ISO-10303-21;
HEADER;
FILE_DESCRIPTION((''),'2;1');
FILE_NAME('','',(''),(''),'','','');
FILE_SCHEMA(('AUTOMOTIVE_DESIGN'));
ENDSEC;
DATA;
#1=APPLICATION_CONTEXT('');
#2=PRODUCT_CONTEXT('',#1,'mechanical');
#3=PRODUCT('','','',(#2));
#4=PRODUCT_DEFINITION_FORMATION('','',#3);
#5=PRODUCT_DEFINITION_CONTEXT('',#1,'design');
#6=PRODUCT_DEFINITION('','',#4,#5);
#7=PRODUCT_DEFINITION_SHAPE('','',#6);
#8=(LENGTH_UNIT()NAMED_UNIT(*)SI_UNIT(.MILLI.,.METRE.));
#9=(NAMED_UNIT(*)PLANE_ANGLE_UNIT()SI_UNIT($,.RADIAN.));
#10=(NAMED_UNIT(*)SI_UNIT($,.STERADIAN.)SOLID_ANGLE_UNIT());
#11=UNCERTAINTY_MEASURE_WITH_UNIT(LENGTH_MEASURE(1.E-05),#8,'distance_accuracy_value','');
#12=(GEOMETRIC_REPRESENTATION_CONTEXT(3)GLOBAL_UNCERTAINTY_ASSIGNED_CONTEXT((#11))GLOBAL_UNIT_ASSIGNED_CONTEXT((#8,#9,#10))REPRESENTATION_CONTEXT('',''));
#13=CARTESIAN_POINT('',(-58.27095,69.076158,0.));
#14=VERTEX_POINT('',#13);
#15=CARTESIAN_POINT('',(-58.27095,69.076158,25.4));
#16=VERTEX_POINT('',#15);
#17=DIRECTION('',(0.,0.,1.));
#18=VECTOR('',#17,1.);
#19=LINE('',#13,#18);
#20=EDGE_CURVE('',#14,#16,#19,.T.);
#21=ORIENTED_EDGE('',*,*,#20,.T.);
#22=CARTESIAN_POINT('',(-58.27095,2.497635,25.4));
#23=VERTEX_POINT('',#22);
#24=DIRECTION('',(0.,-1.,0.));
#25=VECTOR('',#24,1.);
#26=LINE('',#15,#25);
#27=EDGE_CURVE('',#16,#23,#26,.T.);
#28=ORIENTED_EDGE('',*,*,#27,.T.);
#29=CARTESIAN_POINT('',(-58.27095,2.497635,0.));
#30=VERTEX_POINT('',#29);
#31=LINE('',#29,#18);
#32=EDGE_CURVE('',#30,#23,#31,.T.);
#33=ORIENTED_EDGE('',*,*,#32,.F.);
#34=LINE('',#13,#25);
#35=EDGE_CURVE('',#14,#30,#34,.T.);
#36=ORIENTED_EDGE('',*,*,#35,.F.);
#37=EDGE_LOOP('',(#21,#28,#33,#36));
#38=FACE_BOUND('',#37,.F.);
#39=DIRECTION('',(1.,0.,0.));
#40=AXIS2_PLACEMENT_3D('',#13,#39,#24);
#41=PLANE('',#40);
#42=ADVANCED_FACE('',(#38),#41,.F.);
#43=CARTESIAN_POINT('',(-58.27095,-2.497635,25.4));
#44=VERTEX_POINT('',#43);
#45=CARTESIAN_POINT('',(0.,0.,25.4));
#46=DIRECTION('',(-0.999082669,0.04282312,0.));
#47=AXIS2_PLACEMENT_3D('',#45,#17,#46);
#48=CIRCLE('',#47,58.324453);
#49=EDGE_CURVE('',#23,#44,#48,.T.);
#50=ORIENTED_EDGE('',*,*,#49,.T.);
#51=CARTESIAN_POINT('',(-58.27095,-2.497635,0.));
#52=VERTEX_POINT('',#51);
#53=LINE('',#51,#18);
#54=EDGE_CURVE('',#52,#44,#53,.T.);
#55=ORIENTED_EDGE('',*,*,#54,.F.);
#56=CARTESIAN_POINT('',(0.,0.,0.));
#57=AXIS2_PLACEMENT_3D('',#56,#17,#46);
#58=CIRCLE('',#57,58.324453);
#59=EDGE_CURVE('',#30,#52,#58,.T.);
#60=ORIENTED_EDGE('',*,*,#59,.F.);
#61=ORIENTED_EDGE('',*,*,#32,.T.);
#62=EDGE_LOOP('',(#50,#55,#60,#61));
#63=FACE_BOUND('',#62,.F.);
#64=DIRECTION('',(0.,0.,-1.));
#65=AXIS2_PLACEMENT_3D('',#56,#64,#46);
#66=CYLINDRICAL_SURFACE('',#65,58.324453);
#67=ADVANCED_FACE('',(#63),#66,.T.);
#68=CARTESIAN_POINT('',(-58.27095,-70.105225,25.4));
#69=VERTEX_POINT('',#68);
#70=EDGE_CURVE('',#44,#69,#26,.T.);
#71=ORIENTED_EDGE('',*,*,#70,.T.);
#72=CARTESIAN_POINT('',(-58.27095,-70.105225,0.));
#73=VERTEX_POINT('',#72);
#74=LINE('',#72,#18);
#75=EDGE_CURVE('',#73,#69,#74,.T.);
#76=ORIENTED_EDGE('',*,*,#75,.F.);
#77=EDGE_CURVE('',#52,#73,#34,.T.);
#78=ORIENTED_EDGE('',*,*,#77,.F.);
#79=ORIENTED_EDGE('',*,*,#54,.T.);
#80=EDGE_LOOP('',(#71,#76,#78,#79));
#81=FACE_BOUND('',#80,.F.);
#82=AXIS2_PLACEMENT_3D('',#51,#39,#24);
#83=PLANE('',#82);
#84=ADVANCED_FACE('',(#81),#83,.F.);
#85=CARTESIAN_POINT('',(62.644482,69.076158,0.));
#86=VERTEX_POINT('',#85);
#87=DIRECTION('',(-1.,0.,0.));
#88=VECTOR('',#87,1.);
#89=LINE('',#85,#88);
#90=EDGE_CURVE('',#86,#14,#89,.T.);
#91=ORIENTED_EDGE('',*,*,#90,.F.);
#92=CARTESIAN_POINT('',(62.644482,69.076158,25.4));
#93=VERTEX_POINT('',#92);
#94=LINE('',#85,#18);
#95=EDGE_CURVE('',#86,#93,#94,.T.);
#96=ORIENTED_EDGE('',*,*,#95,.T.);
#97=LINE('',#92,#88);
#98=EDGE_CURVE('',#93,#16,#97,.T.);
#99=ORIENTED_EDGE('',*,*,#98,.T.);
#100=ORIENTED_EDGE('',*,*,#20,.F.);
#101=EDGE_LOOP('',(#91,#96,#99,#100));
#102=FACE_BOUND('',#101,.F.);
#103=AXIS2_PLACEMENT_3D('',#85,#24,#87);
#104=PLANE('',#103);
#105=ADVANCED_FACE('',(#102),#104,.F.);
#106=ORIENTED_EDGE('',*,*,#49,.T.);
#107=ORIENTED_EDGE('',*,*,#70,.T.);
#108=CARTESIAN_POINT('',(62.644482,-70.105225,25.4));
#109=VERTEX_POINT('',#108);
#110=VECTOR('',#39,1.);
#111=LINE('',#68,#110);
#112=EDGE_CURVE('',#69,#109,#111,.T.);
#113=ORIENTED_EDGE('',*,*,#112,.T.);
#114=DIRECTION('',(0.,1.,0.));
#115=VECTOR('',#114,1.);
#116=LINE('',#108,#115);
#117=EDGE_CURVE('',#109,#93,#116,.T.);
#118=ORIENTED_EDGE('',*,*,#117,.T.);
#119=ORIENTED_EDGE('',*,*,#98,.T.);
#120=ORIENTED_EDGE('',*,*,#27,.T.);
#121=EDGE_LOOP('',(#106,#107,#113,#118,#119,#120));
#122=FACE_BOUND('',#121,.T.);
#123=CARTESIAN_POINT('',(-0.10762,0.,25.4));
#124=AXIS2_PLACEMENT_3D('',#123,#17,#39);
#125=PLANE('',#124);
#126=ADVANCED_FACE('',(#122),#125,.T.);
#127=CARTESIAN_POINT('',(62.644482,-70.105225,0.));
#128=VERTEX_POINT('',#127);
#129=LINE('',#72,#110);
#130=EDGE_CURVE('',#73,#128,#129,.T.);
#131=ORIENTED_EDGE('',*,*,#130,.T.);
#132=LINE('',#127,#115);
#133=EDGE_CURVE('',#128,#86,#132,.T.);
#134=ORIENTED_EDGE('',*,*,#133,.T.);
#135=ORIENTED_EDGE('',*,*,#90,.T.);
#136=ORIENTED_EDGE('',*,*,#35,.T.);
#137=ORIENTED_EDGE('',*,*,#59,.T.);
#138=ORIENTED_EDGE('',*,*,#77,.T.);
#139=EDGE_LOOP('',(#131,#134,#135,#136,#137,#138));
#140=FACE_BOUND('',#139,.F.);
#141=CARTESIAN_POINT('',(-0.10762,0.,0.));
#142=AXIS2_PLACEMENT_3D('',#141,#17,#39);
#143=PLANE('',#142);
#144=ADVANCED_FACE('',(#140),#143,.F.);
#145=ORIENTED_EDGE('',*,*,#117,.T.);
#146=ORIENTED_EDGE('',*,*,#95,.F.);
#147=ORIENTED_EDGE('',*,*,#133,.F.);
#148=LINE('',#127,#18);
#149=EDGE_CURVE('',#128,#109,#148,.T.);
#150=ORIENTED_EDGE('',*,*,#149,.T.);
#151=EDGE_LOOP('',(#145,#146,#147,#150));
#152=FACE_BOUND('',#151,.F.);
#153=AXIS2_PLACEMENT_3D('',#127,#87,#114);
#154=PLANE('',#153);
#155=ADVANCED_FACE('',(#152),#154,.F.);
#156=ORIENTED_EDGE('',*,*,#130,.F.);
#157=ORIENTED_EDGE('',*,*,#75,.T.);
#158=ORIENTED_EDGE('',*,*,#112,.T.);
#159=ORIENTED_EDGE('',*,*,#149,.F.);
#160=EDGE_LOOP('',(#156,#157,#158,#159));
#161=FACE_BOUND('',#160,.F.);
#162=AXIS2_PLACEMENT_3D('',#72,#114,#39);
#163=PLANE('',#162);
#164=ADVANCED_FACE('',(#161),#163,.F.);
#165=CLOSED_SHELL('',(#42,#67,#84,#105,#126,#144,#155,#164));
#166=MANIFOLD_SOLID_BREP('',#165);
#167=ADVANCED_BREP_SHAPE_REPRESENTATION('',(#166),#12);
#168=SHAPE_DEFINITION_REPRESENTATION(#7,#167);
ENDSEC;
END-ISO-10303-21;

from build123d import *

# Parameters (mm, degrees)
F0_R     = 50.9118742665
F0_R_2   = 45.3260898151
F0_R_3   = 38.3012396281
F0_R_4   = 31.4355514218
F0_R_5   = 25.7992637313
F0_R_6   = 20.8854129491
F0_R_7   = 16.3976104854
F0_R_8   = 11.958068252
F0_R_9   = 10.0909633439
F0_R_10  = 7.4318520211
F0_R_11  = 5.2377671539
F0_R_12  = 3.3984551882
F1_DEPTH = 25.4


with BuildPart() as f1:
    # F0 (on Top) → F1 (new body)
    with BuildSketch(Plane.XY):
        with BuildLine():
            ThreePointArc((58.3244526722, 0), (1.2491040063, 58.3110754377), (-58.2709498703, 2.4976350262))
            Line((-58.2709498703, 2.4976350262), (-58.2709498703, -2.4976350262))
            ThreePointArc((-58.2709498703, -2.4976350262), (1.2491040063, -58.3110754377), (58.3244526722, 0))
        make_face()
        Circle(F0_R, mode=Mode.SUBTRACT)
        Circle(F0_R)
        Circle(F0_R_2, mode=Mode.SUBTRACT)
        Circle(F0_R_2)
        Circle(F0_R_3, mode=Mode.SUBTRACT)
        with BuildLine():
            Line((62.6444816589, 69.0761581063), (-58.2709498703, 69.0761581063))
            Line((-58.2709498703, 69.0761581063), (-58.2709498703, 2.4976350262))
            ThreePointArc((-58.2709498703, 2.4976350262), (1.2491040063, 58.3110754377), (58.3244526722, 0))
            ThreePointArc((58.3244526722, 0), (1.2491040063, -58.3110754377), (-58.2709498703, -2.4976350262))
            Line((-58.2709498703, -2.4976350262), (-58.2709498703, -70.1052248478))
            Line((-58.2709498703, -70.1052248478), (62.6444816589, -70.1052248478))
            Line((62.6444816589, -70.1052248478), (62.6444816589, 69.0761581063))
        make_face()
        Circle(F0_R_3)
        Circle(F0_R_4, mode=Mode.SUBTRACT)
        Circle(F0_R_4)
        Circle(F0_R_5, mode=Mode.SUBTRACT)
        Circle(F0_R_5)
        Circle(F0_R_6, mode=Mode.SUBTRACT)
        Circle(F0_R_6)
        Circle(F0_R_7, mode=Mode.SUBTRACT)
        Circle(F0_R_7)
        Circle(F0_R_8, mode=Mode.SUBTRACT)
        Circle(F0_R_8)
        Circle(F0_R_9, mode=Mode.SUBTRACT)
        Circle(F0_R_9)
        Circle(F0_R_10, mode=Mode.SUBTRACT)
        Circle(F0_R_10)
        Circle(F0_R_11, mode=Mode.SUBTRACT)
        Circle(F0_R_11)
        Circle(F0_R_12, mode=Mode.SUBTRACT)
        Circle(F0_R_12)
        with BuildLine():
            Line((-58.2709498703, -2.4976350262), (-58.2709498703, 2.4976350262))
            ThreePointArc((-58.2709498703, 2.4976350262), (-58.3244526722, 0), (-58.2709498703, -2.4976350262))
        make_face()
    extrude(amount=F1_DEPTH)


solid = f1.part
